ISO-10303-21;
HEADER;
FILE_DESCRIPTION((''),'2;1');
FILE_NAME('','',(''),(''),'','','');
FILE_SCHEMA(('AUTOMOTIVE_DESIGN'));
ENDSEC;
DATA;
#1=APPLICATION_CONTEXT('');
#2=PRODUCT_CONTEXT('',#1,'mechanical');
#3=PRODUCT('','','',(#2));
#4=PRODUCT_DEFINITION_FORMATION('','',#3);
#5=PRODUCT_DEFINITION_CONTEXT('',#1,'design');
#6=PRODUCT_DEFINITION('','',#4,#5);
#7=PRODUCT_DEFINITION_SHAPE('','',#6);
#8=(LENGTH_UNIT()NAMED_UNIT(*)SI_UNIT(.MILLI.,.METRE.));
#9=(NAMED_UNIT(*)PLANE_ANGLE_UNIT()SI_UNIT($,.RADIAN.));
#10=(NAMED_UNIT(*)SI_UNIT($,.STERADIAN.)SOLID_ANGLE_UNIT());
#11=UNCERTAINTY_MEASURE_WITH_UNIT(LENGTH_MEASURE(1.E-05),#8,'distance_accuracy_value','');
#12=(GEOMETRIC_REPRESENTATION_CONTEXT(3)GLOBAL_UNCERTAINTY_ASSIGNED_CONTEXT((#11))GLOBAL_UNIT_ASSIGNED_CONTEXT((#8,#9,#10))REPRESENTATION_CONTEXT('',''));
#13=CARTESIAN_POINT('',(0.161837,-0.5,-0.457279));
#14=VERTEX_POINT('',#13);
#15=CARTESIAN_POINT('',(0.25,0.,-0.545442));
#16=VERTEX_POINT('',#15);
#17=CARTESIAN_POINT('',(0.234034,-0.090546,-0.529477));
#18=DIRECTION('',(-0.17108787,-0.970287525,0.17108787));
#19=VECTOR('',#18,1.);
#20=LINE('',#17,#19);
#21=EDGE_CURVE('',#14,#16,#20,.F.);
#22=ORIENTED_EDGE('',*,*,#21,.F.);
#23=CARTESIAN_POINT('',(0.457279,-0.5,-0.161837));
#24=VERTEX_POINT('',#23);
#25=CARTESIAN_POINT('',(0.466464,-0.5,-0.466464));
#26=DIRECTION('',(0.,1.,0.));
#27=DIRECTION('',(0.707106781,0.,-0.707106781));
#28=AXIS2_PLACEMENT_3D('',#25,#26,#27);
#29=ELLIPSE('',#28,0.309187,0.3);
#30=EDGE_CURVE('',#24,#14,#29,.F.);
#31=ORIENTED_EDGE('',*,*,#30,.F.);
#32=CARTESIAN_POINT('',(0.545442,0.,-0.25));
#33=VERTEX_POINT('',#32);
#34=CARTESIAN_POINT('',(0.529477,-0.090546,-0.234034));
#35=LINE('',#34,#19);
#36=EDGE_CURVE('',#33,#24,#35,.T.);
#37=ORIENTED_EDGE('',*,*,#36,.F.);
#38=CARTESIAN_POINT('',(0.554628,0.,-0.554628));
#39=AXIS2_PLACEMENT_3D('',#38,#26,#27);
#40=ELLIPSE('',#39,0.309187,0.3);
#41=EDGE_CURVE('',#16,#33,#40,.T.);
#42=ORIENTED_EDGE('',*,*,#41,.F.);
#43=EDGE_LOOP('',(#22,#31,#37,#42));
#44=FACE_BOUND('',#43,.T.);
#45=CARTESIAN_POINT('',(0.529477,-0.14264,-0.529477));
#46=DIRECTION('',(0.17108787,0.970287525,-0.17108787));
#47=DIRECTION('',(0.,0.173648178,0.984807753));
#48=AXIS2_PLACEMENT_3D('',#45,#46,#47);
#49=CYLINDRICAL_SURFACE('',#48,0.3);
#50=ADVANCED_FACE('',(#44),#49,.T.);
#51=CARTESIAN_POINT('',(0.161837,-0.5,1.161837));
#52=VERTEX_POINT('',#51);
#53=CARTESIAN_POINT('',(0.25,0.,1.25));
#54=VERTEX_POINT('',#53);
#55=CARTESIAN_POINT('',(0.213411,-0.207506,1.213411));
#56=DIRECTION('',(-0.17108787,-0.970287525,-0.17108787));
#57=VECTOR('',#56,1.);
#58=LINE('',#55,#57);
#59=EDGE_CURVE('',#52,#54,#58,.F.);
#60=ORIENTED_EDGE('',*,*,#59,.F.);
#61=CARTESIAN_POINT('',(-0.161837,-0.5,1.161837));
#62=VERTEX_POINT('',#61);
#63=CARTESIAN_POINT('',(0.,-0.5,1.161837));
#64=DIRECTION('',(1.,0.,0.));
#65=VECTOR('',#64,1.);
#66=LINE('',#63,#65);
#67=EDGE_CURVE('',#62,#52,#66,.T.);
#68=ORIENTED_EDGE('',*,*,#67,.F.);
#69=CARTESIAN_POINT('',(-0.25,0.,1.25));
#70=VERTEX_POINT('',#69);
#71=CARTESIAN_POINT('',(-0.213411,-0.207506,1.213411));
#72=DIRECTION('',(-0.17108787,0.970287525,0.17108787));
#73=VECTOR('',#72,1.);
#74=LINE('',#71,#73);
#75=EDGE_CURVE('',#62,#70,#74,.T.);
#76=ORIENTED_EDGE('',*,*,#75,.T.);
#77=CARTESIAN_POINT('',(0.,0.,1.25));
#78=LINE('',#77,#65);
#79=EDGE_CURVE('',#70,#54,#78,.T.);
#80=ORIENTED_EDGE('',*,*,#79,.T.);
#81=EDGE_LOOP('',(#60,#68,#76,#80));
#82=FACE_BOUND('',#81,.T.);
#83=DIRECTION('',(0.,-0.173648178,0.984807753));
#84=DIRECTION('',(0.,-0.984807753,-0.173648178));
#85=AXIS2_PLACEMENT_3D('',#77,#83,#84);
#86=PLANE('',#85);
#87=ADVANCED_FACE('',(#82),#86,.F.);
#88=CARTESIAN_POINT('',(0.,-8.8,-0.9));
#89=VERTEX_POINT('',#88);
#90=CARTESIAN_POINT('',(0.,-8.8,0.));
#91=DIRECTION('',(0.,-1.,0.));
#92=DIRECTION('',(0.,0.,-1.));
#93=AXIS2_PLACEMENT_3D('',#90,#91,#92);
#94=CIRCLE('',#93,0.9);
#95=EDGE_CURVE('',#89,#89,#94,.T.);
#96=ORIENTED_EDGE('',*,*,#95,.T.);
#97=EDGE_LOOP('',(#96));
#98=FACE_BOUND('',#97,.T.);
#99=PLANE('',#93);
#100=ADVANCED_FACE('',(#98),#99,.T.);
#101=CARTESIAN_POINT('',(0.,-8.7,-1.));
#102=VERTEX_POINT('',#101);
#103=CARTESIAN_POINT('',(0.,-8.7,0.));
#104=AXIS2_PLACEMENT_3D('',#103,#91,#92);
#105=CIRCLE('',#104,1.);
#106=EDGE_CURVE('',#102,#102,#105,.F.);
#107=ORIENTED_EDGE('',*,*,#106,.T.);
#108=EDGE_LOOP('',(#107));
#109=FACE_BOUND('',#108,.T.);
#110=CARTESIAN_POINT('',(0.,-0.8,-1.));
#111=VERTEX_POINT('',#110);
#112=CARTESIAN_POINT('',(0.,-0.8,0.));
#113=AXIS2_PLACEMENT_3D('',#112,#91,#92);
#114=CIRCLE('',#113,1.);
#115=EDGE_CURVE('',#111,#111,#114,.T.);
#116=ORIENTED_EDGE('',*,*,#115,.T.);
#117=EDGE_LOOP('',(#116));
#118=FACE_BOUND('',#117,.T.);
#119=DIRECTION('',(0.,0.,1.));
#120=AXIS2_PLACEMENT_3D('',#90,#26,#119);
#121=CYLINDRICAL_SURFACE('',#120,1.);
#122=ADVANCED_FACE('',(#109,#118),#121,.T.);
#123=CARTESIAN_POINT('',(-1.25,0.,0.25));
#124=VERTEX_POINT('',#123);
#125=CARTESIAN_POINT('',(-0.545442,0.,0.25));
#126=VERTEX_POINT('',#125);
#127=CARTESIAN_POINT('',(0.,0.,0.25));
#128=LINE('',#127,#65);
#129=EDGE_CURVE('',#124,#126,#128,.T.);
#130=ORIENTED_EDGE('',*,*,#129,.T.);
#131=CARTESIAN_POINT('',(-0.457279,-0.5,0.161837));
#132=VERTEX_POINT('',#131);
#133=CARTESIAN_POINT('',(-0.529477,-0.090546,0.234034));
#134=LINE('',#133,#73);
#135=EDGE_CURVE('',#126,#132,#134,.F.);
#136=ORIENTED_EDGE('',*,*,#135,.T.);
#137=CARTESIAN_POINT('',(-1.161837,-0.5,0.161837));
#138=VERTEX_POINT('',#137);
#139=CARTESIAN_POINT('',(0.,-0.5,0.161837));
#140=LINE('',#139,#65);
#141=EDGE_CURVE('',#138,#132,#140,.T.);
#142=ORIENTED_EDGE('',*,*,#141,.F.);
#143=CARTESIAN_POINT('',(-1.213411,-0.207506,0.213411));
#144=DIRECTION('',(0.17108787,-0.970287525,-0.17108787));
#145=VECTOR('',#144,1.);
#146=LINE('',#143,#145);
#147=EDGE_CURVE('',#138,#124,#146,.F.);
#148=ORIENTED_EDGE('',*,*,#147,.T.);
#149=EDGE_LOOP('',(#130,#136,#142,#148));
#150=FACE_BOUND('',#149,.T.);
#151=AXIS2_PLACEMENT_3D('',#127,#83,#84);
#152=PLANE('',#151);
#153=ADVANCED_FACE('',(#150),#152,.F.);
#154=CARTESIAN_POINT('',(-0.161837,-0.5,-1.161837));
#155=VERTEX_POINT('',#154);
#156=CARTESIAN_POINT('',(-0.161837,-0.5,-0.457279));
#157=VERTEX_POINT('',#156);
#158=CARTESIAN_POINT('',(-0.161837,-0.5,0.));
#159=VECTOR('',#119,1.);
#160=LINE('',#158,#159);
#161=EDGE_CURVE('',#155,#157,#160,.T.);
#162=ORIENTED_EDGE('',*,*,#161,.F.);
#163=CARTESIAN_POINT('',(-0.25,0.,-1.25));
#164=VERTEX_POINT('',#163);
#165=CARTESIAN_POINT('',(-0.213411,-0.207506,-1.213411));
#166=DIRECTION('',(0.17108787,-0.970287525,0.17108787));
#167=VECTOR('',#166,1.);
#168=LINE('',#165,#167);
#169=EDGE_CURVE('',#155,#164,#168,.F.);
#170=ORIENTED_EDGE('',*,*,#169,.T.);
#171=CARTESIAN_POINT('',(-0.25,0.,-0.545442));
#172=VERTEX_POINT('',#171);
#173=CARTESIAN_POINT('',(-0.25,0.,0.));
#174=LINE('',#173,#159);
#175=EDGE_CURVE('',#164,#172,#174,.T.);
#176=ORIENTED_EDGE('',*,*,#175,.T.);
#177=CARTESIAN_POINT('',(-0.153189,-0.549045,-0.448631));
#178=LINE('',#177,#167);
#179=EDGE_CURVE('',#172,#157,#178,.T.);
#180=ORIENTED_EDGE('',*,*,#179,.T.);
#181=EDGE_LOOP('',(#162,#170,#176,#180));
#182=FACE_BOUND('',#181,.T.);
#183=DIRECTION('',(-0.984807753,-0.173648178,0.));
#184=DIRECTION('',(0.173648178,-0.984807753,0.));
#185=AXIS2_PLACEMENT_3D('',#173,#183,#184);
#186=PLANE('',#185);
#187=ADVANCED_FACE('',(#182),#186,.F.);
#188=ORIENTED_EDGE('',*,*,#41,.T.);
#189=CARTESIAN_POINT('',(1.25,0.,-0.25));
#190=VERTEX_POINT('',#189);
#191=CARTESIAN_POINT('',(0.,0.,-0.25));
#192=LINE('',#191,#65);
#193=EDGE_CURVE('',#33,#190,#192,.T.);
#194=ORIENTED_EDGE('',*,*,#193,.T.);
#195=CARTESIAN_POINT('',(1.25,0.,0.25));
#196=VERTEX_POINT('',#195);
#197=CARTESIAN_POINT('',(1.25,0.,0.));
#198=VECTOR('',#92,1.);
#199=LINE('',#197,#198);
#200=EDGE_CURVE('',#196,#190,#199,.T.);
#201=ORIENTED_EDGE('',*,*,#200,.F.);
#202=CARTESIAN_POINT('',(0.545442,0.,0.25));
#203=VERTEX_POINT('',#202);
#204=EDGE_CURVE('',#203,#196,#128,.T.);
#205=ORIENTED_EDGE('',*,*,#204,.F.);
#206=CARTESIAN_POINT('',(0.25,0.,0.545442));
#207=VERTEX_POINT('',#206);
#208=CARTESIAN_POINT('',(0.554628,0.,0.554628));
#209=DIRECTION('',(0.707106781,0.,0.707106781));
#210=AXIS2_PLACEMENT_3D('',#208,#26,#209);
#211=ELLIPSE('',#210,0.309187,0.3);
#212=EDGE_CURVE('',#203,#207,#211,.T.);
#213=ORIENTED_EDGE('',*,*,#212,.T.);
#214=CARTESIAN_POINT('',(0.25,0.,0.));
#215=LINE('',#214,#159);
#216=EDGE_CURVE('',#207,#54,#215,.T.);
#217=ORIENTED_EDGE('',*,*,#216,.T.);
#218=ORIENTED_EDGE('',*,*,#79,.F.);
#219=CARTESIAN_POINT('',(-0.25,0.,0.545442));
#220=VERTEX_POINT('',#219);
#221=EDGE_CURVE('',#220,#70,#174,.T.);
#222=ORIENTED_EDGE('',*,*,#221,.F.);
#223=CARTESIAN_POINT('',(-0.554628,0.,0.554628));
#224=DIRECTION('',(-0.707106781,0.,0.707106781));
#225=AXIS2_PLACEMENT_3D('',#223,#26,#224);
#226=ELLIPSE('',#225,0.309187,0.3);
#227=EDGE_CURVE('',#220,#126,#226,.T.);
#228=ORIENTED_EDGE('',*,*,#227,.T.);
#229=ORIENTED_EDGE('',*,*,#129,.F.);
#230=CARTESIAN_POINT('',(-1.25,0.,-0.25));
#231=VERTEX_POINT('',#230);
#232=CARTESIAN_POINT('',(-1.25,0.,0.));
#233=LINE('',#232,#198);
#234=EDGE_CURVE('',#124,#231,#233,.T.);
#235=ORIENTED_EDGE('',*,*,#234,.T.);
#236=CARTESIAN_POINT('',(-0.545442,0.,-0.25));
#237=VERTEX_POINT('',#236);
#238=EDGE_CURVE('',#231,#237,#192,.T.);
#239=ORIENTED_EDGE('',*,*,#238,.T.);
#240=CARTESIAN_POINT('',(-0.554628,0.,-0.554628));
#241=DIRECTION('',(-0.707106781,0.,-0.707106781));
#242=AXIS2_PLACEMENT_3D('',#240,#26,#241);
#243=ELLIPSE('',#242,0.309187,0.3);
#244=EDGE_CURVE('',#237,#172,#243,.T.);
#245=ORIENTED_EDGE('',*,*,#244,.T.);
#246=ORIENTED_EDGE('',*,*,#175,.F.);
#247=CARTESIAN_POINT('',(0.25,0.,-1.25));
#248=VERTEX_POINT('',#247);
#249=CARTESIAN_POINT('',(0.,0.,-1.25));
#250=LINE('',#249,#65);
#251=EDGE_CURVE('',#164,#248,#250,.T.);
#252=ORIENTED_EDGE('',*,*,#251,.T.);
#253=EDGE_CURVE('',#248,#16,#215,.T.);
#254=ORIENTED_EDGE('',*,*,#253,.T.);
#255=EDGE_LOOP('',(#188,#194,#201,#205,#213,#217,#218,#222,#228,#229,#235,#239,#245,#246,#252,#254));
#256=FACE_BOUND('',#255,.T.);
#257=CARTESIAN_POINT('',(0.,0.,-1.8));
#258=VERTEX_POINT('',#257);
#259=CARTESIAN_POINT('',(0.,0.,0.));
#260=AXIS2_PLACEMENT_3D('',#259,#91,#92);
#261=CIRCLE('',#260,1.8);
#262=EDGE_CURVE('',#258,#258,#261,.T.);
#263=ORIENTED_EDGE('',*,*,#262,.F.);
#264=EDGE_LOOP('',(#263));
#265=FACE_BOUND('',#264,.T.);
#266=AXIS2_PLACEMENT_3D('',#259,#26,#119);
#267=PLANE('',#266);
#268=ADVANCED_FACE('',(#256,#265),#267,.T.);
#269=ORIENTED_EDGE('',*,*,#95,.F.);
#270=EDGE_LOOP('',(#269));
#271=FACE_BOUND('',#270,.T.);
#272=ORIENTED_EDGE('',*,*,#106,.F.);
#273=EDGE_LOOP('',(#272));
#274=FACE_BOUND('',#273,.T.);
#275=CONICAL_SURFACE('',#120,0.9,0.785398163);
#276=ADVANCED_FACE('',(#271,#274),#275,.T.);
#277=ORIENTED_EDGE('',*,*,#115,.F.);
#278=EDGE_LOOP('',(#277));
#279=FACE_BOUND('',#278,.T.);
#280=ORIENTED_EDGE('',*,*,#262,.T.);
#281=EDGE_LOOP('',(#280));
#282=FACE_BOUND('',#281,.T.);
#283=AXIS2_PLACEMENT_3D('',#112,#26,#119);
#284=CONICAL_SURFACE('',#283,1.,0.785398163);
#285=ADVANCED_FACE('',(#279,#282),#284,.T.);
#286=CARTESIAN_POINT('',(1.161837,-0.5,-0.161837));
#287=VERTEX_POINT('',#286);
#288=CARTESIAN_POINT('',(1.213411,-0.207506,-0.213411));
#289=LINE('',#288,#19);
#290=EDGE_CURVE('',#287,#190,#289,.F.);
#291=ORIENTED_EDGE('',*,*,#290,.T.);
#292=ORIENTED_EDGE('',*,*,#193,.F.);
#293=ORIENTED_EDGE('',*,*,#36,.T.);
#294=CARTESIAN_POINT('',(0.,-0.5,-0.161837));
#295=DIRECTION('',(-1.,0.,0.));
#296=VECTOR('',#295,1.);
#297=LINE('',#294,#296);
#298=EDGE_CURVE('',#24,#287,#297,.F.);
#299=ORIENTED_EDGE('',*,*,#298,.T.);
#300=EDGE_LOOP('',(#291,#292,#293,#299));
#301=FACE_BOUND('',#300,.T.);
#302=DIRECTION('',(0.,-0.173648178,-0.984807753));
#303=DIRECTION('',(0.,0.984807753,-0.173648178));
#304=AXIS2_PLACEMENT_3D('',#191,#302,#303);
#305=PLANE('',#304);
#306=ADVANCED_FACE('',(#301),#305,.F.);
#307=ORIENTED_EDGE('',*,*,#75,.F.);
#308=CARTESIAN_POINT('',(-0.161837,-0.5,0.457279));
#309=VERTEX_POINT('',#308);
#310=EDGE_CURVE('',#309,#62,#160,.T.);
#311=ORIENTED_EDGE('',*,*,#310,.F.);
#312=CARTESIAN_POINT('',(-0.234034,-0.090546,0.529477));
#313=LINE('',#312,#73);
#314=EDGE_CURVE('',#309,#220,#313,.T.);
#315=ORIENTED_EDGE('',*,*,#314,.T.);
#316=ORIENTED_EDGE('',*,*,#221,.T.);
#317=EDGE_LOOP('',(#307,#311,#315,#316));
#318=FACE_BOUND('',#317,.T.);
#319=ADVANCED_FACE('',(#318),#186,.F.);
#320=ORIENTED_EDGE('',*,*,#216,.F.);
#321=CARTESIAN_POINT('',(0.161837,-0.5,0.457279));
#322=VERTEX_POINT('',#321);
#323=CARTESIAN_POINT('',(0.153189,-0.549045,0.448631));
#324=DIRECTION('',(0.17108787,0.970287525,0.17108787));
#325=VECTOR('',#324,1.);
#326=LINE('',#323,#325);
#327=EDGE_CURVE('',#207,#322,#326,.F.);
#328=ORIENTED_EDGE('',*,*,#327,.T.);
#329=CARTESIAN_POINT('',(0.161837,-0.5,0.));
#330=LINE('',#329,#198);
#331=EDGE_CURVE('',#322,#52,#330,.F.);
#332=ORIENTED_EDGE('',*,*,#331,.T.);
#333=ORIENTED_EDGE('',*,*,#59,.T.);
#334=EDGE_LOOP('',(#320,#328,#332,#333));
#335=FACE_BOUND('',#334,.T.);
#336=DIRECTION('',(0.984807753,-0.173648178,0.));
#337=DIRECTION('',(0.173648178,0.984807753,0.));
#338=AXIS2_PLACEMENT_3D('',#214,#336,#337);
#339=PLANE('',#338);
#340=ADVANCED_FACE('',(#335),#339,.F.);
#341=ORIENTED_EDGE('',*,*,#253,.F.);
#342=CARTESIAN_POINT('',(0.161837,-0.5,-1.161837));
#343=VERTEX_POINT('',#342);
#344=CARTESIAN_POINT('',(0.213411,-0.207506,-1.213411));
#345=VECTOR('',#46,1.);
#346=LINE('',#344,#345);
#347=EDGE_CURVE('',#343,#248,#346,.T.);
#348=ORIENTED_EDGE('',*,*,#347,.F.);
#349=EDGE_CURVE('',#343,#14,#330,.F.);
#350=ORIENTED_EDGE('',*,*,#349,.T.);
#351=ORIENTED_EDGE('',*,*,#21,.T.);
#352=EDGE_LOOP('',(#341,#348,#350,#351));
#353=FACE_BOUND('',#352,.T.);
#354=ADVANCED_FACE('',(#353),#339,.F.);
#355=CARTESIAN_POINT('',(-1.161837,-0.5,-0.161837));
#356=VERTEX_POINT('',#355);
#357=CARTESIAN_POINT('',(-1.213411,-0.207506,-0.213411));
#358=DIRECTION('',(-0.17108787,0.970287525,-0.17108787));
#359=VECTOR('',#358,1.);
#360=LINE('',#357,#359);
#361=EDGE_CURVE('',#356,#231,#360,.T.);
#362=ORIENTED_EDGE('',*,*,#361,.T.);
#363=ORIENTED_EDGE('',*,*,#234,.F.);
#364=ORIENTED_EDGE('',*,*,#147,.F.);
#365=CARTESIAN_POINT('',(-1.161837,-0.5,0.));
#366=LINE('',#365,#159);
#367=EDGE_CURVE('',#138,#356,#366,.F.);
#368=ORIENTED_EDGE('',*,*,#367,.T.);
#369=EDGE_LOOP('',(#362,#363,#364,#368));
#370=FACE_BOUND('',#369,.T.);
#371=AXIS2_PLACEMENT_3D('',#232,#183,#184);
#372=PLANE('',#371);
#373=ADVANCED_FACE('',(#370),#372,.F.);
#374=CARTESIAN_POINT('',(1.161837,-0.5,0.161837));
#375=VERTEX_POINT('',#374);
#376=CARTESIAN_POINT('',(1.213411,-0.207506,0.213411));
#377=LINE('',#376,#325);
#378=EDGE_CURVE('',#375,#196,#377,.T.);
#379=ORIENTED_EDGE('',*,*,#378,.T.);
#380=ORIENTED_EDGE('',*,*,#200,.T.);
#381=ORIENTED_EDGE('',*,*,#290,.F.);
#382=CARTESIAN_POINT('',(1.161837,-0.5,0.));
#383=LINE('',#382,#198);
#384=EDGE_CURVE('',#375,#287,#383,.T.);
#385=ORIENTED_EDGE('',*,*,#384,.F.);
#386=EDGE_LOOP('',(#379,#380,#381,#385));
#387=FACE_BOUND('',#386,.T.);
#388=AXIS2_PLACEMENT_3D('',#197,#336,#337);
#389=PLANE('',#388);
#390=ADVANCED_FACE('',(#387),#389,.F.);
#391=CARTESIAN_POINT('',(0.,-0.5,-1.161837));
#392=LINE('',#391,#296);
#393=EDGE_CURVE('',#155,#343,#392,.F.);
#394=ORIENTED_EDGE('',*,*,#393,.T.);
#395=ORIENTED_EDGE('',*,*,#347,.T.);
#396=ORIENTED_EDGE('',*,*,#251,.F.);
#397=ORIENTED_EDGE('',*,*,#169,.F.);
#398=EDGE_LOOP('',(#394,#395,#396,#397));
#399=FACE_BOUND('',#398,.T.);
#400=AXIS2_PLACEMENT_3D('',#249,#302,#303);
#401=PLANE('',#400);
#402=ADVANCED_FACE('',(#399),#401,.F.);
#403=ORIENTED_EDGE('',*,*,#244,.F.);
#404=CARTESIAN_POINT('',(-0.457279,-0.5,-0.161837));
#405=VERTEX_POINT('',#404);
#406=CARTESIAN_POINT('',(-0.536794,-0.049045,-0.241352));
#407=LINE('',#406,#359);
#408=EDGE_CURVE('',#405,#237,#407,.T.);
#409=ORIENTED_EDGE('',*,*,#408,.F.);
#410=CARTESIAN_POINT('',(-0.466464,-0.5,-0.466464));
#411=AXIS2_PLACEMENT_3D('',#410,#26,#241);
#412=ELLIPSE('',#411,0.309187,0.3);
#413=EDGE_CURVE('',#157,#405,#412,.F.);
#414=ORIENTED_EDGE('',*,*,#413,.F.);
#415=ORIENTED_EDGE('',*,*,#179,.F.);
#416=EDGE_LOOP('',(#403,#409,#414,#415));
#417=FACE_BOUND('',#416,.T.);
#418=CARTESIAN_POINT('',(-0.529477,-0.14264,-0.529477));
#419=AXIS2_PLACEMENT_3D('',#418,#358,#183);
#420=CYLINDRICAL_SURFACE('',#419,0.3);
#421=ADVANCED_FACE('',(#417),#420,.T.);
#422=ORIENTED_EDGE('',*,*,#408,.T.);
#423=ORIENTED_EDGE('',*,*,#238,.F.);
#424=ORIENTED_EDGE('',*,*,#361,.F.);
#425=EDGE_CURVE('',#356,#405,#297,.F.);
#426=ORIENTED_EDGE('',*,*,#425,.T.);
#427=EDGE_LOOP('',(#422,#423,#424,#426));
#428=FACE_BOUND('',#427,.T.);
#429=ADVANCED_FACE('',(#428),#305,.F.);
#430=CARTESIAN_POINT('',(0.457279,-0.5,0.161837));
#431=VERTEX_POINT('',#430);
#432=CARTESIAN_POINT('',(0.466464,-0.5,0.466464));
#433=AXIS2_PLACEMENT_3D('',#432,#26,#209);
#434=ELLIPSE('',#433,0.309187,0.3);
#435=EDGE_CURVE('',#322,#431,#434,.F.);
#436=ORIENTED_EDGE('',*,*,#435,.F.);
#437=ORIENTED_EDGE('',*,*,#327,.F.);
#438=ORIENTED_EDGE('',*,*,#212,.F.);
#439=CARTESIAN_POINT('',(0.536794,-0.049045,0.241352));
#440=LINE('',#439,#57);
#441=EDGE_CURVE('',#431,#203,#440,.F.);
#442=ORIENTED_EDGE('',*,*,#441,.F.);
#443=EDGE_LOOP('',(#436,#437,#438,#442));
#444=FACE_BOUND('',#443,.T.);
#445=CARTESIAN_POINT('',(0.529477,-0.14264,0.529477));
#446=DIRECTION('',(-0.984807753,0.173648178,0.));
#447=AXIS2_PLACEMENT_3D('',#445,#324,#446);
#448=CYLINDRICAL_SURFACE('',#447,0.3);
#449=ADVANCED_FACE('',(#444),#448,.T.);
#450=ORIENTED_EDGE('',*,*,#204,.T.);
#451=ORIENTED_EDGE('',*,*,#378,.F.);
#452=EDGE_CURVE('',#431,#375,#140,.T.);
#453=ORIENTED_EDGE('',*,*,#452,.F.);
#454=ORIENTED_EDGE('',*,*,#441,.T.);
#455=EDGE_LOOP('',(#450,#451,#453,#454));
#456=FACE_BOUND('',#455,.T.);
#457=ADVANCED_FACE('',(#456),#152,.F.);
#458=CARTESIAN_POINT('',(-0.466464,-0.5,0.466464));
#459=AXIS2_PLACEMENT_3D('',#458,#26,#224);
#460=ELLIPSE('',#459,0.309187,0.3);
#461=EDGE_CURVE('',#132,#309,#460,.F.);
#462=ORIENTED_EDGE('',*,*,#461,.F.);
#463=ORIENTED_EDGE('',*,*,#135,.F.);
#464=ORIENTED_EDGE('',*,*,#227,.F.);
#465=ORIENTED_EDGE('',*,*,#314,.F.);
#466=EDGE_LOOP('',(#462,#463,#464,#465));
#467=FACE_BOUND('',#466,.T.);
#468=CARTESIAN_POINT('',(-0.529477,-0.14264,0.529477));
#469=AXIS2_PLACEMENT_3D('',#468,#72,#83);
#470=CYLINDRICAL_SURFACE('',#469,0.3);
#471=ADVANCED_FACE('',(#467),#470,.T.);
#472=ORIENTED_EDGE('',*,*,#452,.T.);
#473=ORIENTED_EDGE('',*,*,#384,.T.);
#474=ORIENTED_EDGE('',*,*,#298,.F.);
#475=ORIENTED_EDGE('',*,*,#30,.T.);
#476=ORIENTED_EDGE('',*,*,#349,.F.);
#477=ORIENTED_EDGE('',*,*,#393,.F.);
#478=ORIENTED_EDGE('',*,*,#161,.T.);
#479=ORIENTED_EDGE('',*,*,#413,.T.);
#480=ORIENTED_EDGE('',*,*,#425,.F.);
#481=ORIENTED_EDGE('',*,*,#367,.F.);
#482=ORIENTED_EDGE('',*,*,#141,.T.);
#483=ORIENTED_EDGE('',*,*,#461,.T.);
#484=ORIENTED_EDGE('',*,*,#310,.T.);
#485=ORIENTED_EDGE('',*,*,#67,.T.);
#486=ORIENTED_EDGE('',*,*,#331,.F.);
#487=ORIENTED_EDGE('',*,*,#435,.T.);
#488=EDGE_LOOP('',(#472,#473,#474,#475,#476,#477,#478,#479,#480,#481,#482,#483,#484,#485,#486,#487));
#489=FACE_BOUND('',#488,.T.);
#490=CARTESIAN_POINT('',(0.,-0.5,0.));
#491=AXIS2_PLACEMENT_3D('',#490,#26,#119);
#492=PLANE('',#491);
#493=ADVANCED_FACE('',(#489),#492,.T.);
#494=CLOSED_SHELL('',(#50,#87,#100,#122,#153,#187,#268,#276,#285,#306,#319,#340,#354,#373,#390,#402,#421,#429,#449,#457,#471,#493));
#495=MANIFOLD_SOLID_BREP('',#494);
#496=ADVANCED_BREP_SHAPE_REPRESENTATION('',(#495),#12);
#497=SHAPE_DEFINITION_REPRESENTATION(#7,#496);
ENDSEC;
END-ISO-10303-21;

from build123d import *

# Parameters (mm, degrees)
SKETCH_2_R                    = 1
EXTRUDE_1_DEPTH               = 8
CHAMFER_1_SIZE                = 0.1
SKETCH_3_W                    = 2.5
SKETCH_3_H                    = 0.5
CUT_EXTRUDE_1_DEPTH           = 0.5
CUT_EXTRUDE_1_DRAFT           = -10
SKETCH_3_W_2                  = 0.5
SKETCH_3_H_2                  = 2.5
CUT_EXTRUDE_1_PROFILE_2_DEPTH = 0.5
CUT_EXTRUDE_1_PROFILE_2_DRAFT = -10
FILLET_1_R                    = 0.3


with BuildPart() as part:
    # 草图1 → 旋转1 (revolve)
    with BuildSketch(Plane.XY, mode=Mode.PRIVATE) as revolve_1_sk:
        Polygon((0, 0), (1.8, 0), (1, -0.8), (0, -0.8), align=None)
    revolve(revolve_1_sk.sketch.rotate(Axis((0, -0.8, 0), (0, 1, 0)), 90), axis=Axis((0, -0.8, 0), (0, 1, 0)))

    # 草图2 → 凸台-拉伸1 (add)
    with BuildSketch(Plane.XZ.offset(0.8)):
        with Locations(Location((0, 0, 0), (0, 0, 270))):
            Circle(SKETCH_2_R)
    extrude(amount=EXTRUDE_1_DEPTH)

    # 倒角1
    chamfer_1_edges = [part.edges().sort_by_distance(p)[0] for p in [
        (0, -8.8, 1),
    ]]
    chamfer(chamfer_1_edges, length=CHAMFER_1_SIZE)


with BuildPart() as cut_extrude_1_tool:
    # 草图3 → 切除-拉伸1 (with draft: the straight prism first)
    with BuildSketch(Plane(origin=(0, 0, 0), x_dir=(1, 0, 0), z_dir=(0, 1, 0))):
        Rectangle(SKETCH_3_W, SKETCH_3_H)
    extrude(amount=-CUT_EXTRUDE_1_DEPTH)
    # 切除-拉伸1: the draft: its side faces are tilted about the plane it starts from
    cut_extrude_1_sides = [cut_extrude_1_tool.faces().sort_by_distance(p)[0] for p in [
        (0, -0.25, 0.25),
        (1.25, -0.25, 0),
        (0, -0.25, -0.25),
        (-1.25, -0.25, 0),
    ]]
    draft(cut_extrude_1_sides, Plane(origin=(0, 0, 0), x_dir=(1, 0, 0), z_dir=(0, 1, 0)), CUT_EXTRUDE_1_DRAFT)


with BuildPart() as part_1:
    add(part.part)

    # 切除-拉伸1: cut by cut_extrude_1_tool
    add(cut_extrude_1_tool.part, mode=Mode.SUBTRACT)


with BuildPart() as cut_extrude_1_profile_2_tool:
    # 草图3 → 切除-拉伸1 profile 2 (with draft: the straight prism first)
    with BuildSketch(Plane(origin=(0, 0, 0), x_dir=(1, 0, 0), z_dir=(0, 1, 0))):
        Rectangle(SKETCH_3_W_2, SKETCH_3_H_2)
    extrude(amount=-CUT_EXTRUDE_1_PROFILE_2_DEPTH)
    # 切除-拉伸1 profile 2: the draft: its side faces are tilted about the plane it starts from
    cut_extrude_1_profile_2_sides = [cut_extrude_1_profile_2_tool.faces().sort_by_distance(p)[0] for p in [
        (-0.25, -0.25, 0),
        (0, -0.25, 1.25),
        (0.25, -0.25, 0),
        (0, -0.25, -1.25),
    ]]
    draft(cut_extrude_1_profile_2_sides, Plane(origin=(0, 0, 0), x_dir=(1, 0, 0), z_dir=(0, 1, 0)), CUT_EXTRUDE_1_PROFILE_2_DRAFT)


with BuildPart() as part_2:
    add(part_1.part)

    # 切除-拉伸1 profile 2: cut by cut_extrude_1_profile_2_tool
    add(cut_extrude_1_profile_2_tool.part, mode=Mode.SUBTRACT)

    # 圆角1
    fillet_1_edges = [part_2.edges().sort_by_distance(p)[0] for p in [
        (0.205918255, -0.25, -0.205918255),
        (0.205918255, -0.25, 0.205918255),
        (-0.205918255, -0.25, 0.205918255),
        (-0.205918255, -0.25, -0.205918255),
    ]]
    fillet(fillet_1_edges, radius=FILLET_1_R)


solid = part_2.part
